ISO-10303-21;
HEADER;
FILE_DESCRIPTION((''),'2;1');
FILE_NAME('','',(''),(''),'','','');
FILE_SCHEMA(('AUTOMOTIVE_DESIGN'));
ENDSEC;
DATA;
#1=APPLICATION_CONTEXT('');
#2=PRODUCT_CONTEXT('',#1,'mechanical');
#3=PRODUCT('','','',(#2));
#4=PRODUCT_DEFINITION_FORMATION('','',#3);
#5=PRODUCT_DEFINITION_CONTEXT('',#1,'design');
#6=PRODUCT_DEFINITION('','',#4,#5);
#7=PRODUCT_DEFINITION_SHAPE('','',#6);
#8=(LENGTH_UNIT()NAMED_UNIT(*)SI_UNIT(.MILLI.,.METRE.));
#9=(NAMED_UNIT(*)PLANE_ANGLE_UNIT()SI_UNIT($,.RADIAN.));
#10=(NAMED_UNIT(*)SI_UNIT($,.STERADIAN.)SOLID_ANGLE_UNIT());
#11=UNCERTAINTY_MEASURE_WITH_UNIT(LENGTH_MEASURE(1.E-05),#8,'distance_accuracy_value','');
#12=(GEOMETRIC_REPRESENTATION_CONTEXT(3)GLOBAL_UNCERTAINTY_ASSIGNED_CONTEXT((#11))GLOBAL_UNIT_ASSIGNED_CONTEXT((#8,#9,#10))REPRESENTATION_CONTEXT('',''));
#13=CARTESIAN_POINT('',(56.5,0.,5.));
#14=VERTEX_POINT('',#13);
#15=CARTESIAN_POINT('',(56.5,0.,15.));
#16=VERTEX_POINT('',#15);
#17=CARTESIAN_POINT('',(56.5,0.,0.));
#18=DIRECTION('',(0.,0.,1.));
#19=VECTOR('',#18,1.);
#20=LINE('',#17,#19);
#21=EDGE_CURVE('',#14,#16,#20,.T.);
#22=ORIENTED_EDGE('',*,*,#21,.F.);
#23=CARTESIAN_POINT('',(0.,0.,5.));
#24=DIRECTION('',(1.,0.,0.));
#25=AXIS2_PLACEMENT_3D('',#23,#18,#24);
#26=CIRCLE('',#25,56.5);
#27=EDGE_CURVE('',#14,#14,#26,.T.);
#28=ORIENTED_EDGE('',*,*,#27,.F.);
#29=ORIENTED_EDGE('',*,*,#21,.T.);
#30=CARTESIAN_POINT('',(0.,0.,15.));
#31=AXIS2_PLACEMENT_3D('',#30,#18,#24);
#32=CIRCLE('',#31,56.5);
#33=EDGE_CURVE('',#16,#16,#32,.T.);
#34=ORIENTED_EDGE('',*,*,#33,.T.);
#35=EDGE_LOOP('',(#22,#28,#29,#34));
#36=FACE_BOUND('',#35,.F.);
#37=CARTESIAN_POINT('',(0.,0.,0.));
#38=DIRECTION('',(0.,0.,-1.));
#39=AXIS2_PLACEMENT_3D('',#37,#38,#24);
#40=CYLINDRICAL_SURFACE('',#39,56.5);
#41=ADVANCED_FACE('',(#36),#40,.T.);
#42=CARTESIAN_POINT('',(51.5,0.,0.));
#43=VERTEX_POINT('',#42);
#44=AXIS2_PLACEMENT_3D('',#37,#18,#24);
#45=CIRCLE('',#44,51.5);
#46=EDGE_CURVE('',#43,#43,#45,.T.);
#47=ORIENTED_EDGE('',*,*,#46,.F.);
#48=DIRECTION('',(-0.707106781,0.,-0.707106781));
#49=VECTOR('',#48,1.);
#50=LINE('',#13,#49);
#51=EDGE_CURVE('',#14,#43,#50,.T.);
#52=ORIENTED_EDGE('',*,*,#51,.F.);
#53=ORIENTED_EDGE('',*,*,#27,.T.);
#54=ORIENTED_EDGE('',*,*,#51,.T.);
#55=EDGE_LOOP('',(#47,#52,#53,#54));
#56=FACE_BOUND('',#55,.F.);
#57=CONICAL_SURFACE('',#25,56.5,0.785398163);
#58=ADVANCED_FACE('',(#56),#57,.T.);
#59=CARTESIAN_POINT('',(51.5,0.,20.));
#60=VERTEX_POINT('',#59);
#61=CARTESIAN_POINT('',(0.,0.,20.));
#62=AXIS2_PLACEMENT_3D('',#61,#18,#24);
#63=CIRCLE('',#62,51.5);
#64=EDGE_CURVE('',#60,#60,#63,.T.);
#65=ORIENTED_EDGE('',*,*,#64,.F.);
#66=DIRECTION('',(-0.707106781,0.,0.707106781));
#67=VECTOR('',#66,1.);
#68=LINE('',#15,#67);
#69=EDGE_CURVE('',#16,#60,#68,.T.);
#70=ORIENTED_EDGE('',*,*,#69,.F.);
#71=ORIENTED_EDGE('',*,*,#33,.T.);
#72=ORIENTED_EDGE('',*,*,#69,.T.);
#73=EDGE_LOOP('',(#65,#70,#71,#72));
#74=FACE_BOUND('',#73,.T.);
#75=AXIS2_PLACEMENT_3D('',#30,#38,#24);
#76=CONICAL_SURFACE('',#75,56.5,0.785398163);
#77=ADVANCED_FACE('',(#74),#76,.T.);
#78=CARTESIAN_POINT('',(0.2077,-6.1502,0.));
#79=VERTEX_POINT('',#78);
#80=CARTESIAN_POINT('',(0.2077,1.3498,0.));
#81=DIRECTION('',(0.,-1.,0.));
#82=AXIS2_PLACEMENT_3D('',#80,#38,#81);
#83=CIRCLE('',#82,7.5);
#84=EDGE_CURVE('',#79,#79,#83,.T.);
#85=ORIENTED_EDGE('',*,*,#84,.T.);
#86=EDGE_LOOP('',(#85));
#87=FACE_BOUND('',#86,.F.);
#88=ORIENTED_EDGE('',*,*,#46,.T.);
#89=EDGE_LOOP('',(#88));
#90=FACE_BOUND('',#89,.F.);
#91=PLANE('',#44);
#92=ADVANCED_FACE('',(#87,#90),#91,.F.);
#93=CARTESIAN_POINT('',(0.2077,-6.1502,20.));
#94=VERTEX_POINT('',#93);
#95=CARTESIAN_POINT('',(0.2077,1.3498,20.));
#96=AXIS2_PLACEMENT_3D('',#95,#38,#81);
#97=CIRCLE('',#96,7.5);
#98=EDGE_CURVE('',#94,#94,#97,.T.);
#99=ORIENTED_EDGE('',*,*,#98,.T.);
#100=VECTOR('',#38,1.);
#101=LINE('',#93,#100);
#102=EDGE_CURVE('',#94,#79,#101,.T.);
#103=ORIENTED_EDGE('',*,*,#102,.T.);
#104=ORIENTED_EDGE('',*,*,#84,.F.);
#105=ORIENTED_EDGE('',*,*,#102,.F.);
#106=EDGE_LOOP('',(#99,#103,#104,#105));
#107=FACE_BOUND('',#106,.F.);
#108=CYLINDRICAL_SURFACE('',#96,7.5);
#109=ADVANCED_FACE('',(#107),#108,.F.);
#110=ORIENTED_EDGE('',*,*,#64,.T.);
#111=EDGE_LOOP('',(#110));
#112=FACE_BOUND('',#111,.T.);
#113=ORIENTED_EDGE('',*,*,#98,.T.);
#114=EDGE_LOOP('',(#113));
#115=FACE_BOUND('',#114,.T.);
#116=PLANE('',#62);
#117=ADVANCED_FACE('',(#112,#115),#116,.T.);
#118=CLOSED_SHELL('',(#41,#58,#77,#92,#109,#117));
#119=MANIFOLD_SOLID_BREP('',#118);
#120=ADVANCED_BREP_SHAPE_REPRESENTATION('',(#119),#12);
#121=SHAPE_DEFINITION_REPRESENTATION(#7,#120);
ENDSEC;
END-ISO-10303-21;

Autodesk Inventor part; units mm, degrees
ref_plane "YZ Plane" through (0, 0, 0) normal (1, 0, 0) x (0, 1, 0)
ref_plane "XZ Plane" through (0, 0, 0) normal (0, 1, 0) x (-1, 0, 0)
ref_plane "XY Plane" through (0, 0, 0) normal (0, 0, 1) x (1, 0, 0)
sketch "Sketch1" plane through (0, 0, 0) normal (0, 0, 1) x (1, 0, 0)
  circle A0 centre (0, 0) radius 56.5
  dimension "d0" = 113
extrude "Extrusion1" add sketch "Sketch1" along normal blind 20
thread "Thread1" size "M115x6" class "6g" standard "ANSI Metric M Profile" full length
chamfer "Chamfer1" distance 5 angle 45 2 edges at (-56.5, 0, 20) (-56.5, 0, 0)
sketch "Sketch2" plane through (0, 0, 20) normal (0, 0, 1) x (1, 0, 0)
  point P0 (0, 0)
  point P1 (0.2077, 1.3498)
hole "Hole1" at (0.2077, 1.3498, 20) direction (0, 0, -1) diameter 15 depth 20 tip angle 118
properties part number "new_encoder"
